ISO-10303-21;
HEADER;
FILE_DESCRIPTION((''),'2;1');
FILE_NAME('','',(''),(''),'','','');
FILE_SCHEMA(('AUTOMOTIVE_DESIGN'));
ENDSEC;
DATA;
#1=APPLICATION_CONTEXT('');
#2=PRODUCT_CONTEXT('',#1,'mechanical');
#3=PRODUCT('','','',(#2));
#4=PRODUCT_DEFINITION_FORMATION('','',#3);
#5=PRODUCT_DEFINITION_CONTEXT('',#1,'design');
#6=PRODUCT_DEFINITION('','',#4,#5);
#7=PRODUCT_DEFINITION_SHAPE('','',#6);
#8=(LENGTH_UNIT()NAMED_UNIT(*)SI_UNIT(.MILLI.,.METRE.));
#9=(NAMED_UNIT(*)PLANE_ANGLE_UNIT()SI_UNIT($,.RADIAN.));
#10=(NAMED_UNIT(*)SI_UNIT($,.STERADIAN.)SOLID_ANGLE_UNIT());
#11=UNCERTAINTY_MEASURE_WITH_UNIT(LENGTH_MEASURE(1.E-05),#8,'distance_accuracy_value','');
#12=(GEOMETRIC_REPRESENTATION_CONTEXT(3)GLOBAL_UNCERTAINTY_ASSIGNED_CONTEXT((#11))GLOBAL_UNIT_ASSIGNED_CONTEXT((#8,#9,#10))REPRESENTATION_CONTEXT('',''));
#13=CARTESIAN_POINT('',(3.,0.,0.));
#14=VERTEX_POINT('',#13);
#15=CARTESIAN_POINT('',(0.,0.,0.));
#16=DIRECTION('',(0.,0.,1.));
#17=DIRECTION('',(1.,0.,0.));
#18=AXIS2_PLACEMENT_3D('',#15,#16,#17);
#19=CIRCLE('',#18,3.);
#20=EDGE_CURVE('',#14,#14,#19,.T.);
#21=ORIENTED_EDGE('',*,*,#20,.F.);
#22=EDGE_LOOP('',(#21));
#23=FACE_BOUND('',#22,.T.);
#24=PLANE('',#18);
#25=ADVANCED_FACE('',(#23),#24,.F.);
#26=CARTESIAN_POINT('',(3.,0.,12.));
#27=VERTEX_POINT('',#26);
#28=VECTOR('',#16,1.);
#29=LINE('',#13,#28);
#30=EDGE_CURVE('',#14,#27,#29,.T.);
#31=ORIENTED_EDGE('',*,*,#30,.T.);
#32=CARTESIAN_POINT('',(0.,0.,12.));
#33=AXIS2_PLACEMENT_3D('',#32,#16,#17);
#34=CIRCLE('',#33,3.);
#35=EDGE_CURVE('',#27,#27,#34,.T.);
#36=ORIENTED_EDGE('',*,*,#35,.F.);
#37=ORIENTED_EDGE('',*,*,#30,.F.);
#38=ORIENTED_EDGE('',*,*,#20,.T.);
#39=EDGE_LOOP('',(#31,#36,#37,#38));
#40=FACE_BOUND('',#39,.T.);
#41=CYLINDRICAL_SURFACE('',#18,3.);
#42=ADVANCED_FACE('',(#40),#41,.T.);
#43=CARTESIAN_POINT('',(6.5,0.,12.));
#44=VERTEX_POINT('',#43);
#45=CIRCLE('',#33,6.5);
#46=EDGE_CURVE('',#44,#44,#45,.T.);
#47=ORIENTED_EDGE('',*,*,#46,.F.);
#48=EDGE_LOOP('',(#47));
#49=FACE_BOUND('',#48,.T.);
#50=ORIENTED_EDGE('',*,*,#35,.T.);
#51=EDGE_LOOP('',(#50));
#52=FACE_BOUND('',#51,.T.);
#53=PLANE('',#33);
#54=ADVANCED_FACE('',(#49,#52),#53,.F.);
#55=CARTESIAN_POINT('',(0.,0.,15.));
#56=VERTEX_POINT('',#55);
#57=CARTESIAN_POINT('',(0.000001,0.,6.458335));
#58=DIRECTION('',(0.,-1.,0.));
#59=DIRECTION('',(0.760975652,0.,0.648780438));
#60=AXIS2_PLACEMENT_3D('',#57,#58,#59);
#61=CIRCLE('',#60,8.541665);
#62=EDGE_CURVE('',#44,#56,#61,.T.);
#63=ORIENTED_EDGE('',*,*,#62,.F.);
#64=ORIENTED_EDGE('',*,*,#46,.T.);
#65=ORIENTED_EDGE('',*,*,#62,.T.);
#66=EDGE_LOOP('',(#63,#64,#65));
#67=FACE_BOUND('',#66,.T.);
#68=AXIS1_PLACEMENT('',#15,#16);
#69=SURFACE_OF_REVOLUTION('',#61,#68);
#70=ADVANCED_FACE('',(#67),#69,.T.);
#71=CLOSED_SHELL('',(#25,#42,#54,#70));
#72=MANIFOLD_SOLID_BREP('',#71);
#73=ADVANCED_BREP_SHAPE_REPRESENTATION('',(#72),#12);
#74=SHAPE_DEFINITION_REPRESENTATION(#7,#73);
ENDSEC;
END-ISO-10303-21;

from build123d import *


with BuildPart() as part:
    # Sketch → Revolution (revolve)
    with BuildSketch(Plane.XZ):
        with BuildLine():
            Line((0, 15), (0, 0))
            Line((0, 0), (3, 0))
            Line((3, 0), (3, 12))
            Line((3, 12), (6.5, 12))
            ThreePointArc((6.5, 12), (3.579455, 14.21382), (0, 15))
        make_face()
    revolve(axis=Axis((0, 0, 0), (0, 0, 1)))


solid = part.part
